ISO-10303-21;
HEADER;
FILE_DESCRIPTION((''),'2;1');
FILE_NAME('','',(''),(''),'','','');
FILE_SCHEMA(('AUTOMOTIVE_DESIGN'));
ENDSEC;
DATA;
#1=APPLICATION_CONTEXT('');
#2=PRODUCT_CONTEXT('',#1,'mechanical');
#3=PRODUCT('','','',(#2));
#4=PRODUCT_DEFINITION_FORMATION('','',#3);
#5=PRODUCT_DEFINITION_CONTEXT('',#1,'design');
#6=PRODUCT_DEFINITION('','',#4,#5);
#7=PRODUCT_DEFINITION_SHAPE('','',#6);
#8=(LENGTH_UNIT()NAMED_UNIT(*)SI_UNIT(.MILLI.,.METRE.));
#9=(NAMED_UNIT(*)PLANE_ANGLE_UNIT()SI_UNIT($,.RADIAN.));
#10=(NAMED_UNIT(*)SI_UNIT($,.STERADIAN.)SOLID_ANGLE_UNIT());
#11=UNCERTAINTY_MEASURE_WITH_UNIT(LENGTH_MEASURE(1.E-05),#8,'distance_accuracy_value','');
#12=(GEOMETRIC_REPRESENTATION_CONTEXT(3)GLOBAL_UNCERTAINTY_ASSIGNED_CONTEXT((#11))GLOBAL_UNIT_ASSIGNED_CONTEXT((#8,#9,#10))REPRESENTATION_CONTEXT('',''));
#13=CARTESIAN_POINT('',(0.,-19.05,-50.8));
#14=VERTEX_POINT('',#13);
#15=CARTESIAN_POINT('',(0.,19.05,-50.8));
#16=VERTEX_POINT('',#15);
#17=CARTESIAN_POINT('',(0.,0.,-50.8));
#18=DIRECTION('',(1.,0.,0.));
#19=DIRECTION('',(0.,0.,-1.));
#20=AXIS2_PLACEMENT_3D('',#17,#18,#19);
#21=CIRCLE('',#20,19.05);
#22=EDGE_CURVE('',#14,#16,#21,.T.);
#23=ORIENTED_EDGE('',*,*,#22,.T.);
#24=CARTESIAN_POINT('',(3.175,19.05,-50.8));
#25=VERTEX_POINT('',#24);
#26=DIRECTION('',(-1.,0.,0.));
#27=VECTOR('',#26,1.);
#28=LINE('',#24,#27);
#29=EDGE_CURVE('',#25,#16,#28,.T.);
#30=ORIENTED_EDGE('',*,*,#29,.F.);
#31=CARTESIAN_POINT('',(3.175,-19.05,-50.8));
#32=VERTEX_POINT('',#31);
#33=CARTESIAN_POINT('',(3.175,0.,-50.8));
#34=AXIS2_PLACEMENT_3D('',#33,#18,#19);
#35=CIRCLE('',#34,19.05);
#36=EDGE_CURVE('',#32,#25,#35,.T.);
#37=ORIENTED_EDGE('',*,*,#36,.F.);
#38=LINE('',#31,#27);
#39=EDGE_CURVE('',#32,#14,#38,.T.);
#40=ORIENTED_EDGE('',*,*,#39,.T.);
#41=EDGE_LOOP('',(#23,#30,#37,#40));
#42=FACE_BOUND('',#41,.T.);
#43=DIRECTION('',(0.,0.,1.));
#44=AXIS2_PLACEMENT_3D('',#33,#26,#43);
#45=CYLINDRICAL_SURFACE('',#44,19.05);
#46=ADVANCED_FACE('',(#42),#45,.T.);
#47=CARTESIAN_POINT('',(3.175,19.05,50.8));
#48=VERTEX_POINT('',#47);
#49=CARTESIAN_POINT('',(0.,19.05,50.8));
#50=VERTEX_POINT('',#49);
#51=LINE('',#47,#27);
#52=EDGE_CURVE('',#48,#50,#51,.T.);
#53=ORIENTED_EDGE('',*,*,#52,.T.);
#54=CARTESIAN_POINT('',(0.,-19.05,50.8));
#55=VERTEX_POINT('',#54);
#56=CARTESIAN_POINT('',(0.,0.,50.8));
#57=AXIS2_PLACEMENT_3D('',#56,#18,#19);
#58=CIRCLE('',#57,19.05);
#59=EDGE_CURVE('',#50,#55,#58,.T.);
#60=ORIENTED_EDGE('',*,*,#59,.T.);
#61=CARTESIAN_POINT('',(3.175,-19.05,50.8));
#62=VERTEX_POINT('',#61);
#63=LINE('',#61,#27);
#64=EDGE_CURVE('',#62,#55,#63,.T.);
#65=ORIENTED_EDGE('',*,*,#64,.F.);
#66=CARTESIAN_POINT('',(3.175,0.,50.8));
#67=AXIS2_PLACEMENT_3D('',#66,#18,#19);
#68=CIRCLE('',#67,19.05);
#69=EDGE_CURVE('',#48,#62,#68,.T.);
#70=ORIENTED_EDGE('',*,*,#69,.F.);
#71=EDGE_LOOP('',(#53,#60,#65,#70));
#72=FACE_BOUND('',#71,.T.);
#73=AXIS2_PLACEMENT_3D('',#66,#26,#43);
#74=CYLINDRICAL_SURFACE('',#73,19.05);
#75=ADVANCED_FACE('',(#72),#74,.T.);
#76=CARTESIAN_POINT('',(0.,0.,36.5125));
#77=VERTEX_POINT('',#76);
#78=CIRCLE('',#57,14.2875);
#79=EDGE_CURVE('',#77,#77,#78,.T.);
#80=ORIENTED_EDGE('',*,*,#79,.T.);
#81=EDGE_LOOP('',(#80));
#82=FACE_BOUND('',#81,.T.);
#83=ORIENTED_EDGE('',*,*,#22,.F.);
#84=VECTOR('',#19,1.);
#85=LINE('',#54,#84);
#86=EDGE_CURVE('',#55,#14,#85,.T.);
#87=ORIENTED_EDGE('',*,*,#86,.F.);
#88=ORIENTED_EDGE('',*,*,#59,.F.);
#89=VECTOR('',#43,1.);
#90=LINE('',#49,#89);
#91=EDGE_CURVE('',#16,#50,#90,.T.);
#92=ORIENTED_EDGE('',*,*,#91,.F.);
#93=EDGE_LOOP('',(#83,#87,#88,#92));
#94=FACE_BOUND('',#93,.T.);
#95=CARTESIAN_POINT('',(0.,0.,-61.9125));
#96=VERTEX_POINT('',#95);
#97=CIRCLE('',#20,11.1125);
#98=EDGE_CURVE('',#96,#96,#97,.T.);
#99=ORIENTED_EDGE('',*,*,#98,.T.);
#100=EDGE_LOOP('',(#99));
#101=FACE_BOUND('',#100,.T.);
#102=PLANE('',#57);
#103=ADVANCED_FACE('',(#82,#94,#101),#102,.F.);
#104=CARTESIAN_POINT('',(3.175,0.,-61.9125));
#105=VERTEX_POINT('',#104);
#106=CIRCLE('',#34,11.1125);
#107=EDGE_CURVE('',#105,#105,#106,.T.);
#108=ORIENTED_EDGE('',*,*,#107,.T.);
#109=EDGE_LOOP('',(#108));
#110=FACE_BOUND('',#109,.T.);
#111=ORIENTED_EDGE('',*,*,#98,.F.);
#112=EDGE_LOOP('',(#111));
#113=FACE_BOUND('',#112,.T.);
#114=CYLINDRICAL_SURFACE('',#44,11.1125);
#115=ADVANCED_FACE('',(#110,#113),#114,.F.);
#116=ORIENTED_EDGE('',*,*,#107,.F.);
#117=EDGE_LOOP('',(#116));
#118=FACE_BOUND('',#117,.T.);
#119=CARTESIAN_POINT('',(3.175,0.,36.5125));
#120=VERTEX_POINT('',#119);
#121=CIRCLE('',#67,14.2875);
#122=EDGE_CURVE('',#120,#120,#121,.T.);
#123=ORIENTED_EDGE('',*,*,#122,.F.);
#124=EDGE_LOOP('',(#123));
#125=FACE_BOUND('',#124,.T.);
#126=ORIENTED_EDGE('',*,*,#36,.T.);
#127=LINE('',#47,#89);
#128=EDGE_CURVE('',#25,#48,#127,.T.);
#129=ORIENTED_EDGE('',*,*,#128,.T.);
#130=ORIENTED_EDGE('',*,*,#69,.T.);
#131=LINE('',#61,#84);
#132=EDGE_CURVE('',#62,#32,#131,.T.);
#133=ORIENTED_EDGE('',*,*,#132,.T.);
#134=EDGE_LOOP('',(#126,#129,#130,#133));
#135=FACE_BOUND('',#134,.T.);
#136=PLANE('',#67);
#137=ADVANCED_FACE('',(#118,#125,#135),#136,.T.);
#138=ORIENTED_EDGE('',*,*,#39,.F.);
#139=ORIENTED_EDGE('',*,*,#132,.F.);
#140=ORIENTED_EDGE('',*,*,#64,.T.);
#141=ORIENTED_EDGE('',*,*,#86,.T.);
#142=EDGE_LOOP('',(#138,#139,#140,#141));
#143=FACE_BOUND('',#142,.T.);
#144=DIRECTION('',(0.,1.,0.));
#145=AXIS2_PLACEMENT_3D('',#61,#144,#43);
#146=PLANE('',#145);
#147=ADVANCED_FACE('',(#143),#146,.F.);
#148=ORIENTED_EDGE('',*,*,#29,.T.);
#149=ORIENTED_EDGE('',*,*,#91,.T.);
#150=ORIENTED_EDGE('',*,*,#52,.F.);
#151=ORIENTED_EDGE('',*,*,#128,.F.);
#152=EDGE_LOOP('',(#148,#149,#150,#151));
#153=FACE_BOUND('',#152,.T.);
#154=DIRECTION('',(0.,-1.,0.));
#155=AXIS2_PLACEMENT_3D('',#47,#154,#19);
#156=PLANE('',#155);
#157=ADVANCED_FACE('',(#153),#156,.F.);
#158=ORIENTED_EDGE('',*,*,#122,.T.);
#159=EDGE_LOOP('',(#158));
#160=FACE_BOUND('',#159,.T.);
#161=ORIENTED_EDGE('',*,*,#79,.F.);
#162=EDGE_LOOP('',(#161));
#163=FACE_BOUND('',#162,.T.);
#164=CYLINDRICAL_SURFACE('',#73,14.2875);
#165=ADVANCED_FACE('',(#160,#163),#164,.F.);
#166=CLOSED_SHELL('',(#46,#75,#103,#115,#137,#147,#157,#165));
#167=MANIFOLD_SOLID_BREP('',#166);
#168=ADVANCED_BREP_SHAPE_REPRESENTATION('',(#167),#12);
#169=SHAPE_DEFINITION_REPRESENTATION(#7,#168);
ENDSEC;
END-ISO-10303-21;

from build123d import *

# Parameters (mm, degrees)
SKETCH1_R           = 14.2875
SKETCH1_R_2         = 11.1125
BOSS_EXTRUDE1_DEPTH = 3.175


with BuildPart() as part:
    # Sketch1 → Boss-Extrude1 (new body)
    with BuildSketch(Plane(origin=(0, 0, 0), x_dir=(0, 0, -1), z_dir=(1, 0, 0))):
        with BuildLine():
            Line((-50.8, 19.05), (50.8, 19.05))
            ThreePointArc((50.8, 19.05), (69.85, 0), (50.8, -19.05))
            Line((50.8, -19.05), (-50.8, -19.05))
            ThreePointArc((-50.8, -19.05), (-69.85, 0), (-50.8, 19.05))
        make_face()
        with Locations((-50.8, 0)):
            Circle(SKETCH1_R, mode=Mode.SUBTRACT)
        with Locations((50.8, 0)):
            Circle(SKETCH1_R_2, mode=Mode.SUBTRACT)
    extrude(amount=BOSS_EXTRUDE1_DEPTH)


solid = part.part
